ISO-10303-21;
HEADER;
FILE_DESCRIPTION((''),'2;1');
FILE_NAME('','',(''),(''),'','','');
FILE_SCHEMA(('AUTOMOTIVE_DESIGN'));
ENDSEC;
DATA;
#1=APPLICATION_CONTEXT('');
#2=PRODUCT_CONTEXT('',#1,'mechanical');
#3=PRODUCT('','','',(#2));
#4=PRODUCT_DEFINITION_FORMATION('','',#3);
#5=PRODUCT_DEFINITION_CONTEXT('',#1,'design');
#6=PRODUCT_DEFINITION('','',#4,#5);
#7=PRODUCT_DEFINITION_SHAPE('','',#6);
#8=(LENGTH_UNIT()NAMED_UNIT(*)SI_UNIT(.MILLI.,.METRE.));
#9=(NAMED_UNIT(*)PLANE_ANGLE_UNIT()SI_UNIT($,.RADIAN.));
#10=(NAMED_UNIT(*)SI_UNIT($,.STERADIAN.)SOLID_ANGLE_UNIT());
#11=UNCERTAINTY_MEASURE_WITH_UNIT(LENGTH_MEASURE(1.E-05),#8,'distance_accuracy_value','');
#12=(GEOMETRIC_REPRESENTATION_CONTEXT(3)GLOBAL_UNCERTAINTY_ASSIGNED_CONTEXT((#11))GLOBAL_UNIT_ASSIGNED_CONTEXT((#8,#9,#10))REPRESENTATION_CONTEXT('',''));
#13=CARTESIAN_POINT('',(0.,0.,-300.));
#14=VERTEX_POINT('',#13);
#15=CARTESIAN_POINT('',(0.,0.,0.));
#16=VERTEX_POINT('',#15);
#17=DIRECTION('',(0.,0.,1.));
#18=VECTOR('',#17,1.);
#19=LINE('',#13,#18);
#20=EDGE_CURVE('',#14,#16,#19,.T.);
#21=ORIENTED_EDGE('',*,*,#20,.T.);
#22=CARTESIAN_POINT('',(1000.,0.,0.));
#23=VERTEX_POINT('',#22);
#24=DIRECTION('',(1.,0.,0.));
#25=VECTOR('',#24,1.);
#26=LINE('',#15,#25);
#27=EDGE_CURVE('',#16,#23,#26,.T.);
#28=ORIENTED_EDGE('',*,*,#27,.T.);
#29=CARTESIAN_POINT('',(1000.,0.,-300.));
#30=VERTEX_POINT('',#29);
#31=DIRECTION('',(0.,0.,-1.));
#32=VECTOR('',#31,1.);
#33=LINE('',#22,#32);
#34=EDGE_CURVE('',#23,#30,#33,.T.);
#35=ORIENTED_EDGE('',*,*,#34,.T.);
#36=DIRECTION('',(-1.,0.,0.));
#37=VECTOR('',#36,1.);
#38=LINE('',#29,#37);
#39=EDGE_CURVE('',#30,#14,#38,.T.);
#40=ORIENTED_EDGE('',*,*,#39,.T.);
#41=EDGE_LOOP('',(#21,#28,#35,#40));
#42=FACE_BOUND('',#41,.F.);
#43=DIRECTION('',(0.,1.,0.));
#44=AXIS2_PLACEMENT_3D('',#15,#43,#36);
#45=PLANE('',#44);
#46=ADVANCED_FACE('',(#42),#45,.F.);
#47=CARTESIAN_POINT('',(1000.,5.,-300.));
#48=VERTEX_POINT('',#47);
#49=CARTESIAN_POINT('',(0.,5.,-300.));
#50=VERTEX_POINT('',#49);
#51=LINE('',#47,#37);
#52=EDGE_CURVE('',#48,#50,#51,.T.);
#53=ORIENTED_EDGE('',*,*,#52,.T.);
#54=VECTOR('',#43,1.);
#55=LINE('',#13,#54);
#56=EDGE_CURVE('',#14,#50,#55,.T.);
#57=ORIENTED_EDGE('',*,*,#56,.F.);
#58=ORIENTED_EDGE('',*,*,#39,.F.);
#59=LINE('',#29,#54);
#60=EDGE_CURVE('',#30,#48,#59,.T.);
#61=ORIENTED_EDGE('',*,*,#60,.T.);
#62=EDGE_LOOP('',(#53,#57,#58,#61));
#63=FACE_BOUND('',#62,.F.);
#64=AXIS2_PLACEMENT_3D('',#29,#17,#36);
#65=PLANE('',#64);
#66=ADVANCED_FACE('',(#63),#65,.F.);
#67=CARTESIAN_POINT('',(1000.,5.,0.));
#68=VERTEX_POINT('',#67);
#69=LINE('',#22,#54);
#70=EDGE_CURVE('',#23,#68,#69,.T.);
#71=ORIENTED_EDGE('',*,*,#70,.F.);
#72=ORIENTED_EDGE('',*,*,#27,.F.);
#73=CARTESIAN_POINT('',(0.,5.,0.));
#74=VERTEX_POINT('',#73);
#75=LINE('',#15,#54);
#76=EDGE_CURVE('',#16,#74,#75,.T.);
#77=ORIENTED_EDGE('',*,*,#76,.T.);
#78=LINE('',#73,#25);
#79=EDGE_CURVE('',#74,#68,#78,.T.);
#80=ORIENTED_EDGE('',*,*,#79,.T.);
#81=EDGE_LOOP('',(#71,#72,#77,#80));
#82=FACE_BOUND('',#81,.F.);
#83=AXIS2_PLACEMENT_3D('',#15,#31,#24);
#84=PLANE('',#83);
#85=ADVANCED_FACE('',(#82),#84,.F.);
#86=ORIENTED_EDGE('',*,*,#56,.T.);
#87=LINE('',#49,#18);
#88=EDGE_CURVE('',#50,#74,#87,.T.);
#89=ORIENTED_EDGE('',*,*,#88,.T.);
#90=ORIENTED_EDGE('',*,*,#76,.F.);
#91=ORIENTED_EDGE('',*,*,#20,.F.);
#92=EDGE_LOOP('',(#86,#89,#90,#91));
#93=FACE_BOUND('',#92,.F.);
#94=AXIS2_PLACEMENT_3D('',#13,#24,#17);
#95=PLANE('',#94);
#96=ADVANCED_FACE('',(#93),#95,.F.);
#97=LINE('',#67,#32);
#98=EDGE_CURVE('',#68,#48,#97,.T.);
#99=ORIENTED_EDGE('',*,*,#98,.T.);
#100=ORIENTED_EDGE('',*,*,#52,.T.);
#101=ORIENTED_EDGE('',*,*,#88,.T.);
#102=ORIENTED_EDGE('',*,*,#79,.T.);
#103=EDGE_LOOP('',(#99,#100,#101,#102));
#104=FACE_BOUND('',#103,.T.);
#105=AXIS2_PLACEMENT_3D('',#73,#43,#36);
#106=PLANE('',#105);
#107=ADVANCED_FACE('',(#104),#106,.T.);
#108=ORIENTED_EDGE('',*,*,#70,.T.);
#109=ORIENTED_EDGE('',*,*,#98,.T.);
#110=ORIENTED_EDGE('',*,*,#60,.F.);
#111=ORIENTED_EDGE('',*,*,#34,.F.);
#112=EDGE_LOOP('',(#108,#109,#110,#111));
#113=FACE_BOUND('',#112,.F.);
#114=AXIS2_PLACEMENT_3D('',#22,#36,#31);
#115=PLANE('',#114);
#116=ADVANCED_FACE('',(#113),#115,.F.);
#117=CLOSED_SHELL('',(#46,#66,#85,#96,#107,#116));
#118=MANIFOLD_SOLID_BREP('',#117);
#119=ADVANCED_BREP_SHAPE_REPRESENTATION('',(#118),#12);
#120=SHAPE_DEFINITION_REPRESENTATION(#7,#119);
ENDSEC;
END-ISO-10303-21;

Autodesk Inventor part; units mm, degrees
ref_plane "YZ Plane" through (0, 0, 0) normal (1, 0, 0) x (0, 1, 0)
ref_plane "XZ Plane" through (0, 0, 0) normal (0, 1, 0) x (-1, 0, 0)
ref_plane "XY Plane" through (0, 0, 0) normal (0, 0, 1) x (1, 0, 0)
sketch "Sketch1" plane through (0, 0, 0) normal (0, 1, 0) x (-1, 0, 0)
  line L0 (0, 0) -> (-1000, 0)
  line L1 (-1000, 0) -> (-1000, -300)
  line L2 (-1000, -300) -> (0, -300)
  line L3 (0, -300) -> (0, 0)
  dimension "d0" = 1000
  dimension "d1" = 300
extrude "Extrusion1" add sketch "Sketch1" along normal blind 5
properties part number "base"
